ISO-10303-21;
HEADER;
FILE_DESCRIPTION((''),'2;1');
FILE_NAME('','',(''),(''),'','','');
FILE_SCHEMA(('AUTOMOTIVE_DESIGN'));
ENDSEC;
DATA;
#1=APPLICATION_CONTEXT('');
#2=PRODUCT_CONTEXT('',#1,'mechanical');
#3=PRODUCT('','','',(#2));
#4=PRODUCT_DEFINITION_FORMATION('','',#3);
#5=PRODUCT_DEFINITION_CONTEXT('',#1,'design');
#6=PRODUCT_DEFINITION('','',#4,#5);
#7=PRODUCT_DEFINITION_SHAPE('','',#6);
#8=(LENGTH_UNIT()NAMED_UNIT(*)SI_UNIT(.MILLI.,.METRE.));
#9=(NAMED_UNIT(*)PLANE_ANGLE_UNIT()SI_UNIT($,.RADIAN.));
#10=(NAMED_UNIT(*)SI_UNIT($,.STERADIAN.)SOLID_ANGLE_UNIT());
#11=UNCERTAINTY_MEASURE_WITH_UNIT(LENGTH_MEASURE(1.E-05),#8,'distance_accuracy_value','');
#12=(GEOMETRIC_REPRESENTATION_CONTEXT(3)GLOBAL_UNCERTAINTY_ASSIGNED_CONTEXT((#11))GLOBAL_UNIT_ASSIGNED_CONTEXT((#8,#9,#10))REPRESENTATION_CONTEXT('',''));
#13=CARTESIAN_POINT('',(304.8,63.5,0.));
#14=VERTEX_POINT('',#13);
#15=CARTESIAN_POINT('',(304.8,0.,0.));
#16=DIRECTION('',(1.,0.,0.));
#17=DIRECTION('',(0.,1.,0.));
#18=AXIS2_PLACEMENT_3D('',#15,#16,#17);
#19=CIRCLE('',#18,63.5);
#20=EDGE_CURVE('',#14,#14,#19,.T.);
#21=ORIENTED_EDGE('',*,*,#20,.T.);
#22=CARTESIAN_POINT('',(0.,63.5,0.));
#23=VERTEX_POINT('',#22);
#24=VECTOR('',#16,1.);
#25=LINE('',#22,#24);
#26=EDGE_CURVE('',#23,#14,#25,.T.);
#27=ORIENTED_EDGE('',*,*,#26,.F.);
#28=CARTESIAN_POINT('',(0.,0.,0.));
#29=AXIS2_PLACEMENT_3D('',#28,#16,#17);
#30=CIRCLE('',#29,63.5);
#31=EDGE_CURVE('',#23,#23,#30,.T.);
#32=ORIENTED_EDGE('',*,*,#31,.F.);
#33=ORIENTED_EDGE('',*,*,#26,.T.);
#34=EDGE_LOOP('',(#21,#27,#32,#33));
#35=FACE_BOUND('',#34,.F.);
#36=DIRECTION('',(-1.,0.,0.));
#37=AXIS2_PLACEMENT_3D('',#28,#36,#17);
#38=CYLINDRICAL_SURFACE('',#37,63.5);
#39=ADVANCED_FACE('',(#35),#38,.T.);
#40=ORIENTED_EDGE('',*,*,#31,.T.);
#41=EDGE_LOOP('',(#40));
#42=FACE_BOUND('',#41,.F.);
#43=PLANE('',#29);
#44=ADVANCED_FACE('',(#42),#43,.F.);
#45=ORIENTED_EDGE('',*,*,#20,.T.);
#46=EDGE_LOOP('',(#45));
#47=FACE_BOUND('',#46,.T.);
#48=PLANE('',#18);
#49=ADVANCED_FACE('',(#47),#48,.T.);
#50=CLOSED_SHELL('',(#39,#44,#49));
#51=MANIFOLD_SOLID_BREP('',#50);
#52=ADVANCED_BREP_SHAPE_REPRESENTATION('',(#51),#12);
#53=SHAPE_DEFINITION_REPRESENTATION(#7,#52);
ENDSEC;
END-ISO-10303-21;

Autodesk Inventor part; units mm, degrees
ref_plane "YZ Plane" through (0, 0, 0) normal (1, 0, 0) x (0, 1, 0)
ref_plane "XZ Plane" through (0, 0, 0) normal (0, 1, 0) x (-1, 0, 0)
ref_plane "XY Plane" through (0, 0, 0) normal (0, 0, 1) x (1, 0, 0)
sketch "Sketch1" plane through (0, 0, 0) normal (1, 0, 0) x (0, 1, 0)
  circle A0 centre (0, 0) radius 63.5
  dimension "d0" = 127
extrude "Extrusion1" add sketch "Sketch1" along normal blind 304.8
sketch "Sketch2" plane through (304.8, 0, 0) normal (1, 0, 0) x (0, 0, -1)
  line L0 (0, 0) -> (-63.5, 0)
  circle A0 centre (0, 0) radius 63.5 projected
ref_plane "Work Plane1" through (304.8, 0, 63.5) normal (0, 0, 1) x (1, 0, 0)
sketch "Sketch4" plane through (304.8, 0, 63.5) normal (0, 0, 1) x (1, 0, 0)
  line L0 (0, -63.5) -> (0, 63.5) construction
  line L1 (0, 0) -> (0, 239.3894) construction
  line L2 (-50.8, 0) -> (-50.8, 239.3894) construction
  line L3 (-254, 0) -> (-254, 239.3894) construction
  line L4 (-50.8, 0) -> (-143.4153, 70.3949) construction
  line L5 (-143.4153, 70.3949) -> (-254, 96.3991) construction
  line L6 (-254, 96.3991) -> (-50.8, 239.3894) construction
  spline S0 degree 3 poles (-50.8, 0) (-143.4153, 70.3949) (-254, 96.3991) (-50.8, 239.3894) knots 1 1 1 1 2 2 2 2
  line L7 (-88.9, 0) -> (-181.5153, 70.3949) construction
  line L8 (-181.5153, 70.3949) -> (-292.1, 96.3991) construction
  line L9 (-292.1, 96.3991) -> (-88.9, 239.3894) construction
  spline S1 degree 3 poles (-88.9, 0) (-181.5153, 70.3949) (-292.1, 96.3991) (-88.9, 239.3894) knots 1 1 1 1 2 2 2 2
  line L10 (-88.9, 0) -> (-50.8, 0)
  line L11 (-88.9, 239.3894) -> (-50.8, 239.3894)
  point P0 (-304.8, 0)
  dimension "d5" = 239.3894
  dimension "d6" = 50.8
  dimension "d7" = 50.8
  dimension "d8" = 38.1
properties part number "Drum"
